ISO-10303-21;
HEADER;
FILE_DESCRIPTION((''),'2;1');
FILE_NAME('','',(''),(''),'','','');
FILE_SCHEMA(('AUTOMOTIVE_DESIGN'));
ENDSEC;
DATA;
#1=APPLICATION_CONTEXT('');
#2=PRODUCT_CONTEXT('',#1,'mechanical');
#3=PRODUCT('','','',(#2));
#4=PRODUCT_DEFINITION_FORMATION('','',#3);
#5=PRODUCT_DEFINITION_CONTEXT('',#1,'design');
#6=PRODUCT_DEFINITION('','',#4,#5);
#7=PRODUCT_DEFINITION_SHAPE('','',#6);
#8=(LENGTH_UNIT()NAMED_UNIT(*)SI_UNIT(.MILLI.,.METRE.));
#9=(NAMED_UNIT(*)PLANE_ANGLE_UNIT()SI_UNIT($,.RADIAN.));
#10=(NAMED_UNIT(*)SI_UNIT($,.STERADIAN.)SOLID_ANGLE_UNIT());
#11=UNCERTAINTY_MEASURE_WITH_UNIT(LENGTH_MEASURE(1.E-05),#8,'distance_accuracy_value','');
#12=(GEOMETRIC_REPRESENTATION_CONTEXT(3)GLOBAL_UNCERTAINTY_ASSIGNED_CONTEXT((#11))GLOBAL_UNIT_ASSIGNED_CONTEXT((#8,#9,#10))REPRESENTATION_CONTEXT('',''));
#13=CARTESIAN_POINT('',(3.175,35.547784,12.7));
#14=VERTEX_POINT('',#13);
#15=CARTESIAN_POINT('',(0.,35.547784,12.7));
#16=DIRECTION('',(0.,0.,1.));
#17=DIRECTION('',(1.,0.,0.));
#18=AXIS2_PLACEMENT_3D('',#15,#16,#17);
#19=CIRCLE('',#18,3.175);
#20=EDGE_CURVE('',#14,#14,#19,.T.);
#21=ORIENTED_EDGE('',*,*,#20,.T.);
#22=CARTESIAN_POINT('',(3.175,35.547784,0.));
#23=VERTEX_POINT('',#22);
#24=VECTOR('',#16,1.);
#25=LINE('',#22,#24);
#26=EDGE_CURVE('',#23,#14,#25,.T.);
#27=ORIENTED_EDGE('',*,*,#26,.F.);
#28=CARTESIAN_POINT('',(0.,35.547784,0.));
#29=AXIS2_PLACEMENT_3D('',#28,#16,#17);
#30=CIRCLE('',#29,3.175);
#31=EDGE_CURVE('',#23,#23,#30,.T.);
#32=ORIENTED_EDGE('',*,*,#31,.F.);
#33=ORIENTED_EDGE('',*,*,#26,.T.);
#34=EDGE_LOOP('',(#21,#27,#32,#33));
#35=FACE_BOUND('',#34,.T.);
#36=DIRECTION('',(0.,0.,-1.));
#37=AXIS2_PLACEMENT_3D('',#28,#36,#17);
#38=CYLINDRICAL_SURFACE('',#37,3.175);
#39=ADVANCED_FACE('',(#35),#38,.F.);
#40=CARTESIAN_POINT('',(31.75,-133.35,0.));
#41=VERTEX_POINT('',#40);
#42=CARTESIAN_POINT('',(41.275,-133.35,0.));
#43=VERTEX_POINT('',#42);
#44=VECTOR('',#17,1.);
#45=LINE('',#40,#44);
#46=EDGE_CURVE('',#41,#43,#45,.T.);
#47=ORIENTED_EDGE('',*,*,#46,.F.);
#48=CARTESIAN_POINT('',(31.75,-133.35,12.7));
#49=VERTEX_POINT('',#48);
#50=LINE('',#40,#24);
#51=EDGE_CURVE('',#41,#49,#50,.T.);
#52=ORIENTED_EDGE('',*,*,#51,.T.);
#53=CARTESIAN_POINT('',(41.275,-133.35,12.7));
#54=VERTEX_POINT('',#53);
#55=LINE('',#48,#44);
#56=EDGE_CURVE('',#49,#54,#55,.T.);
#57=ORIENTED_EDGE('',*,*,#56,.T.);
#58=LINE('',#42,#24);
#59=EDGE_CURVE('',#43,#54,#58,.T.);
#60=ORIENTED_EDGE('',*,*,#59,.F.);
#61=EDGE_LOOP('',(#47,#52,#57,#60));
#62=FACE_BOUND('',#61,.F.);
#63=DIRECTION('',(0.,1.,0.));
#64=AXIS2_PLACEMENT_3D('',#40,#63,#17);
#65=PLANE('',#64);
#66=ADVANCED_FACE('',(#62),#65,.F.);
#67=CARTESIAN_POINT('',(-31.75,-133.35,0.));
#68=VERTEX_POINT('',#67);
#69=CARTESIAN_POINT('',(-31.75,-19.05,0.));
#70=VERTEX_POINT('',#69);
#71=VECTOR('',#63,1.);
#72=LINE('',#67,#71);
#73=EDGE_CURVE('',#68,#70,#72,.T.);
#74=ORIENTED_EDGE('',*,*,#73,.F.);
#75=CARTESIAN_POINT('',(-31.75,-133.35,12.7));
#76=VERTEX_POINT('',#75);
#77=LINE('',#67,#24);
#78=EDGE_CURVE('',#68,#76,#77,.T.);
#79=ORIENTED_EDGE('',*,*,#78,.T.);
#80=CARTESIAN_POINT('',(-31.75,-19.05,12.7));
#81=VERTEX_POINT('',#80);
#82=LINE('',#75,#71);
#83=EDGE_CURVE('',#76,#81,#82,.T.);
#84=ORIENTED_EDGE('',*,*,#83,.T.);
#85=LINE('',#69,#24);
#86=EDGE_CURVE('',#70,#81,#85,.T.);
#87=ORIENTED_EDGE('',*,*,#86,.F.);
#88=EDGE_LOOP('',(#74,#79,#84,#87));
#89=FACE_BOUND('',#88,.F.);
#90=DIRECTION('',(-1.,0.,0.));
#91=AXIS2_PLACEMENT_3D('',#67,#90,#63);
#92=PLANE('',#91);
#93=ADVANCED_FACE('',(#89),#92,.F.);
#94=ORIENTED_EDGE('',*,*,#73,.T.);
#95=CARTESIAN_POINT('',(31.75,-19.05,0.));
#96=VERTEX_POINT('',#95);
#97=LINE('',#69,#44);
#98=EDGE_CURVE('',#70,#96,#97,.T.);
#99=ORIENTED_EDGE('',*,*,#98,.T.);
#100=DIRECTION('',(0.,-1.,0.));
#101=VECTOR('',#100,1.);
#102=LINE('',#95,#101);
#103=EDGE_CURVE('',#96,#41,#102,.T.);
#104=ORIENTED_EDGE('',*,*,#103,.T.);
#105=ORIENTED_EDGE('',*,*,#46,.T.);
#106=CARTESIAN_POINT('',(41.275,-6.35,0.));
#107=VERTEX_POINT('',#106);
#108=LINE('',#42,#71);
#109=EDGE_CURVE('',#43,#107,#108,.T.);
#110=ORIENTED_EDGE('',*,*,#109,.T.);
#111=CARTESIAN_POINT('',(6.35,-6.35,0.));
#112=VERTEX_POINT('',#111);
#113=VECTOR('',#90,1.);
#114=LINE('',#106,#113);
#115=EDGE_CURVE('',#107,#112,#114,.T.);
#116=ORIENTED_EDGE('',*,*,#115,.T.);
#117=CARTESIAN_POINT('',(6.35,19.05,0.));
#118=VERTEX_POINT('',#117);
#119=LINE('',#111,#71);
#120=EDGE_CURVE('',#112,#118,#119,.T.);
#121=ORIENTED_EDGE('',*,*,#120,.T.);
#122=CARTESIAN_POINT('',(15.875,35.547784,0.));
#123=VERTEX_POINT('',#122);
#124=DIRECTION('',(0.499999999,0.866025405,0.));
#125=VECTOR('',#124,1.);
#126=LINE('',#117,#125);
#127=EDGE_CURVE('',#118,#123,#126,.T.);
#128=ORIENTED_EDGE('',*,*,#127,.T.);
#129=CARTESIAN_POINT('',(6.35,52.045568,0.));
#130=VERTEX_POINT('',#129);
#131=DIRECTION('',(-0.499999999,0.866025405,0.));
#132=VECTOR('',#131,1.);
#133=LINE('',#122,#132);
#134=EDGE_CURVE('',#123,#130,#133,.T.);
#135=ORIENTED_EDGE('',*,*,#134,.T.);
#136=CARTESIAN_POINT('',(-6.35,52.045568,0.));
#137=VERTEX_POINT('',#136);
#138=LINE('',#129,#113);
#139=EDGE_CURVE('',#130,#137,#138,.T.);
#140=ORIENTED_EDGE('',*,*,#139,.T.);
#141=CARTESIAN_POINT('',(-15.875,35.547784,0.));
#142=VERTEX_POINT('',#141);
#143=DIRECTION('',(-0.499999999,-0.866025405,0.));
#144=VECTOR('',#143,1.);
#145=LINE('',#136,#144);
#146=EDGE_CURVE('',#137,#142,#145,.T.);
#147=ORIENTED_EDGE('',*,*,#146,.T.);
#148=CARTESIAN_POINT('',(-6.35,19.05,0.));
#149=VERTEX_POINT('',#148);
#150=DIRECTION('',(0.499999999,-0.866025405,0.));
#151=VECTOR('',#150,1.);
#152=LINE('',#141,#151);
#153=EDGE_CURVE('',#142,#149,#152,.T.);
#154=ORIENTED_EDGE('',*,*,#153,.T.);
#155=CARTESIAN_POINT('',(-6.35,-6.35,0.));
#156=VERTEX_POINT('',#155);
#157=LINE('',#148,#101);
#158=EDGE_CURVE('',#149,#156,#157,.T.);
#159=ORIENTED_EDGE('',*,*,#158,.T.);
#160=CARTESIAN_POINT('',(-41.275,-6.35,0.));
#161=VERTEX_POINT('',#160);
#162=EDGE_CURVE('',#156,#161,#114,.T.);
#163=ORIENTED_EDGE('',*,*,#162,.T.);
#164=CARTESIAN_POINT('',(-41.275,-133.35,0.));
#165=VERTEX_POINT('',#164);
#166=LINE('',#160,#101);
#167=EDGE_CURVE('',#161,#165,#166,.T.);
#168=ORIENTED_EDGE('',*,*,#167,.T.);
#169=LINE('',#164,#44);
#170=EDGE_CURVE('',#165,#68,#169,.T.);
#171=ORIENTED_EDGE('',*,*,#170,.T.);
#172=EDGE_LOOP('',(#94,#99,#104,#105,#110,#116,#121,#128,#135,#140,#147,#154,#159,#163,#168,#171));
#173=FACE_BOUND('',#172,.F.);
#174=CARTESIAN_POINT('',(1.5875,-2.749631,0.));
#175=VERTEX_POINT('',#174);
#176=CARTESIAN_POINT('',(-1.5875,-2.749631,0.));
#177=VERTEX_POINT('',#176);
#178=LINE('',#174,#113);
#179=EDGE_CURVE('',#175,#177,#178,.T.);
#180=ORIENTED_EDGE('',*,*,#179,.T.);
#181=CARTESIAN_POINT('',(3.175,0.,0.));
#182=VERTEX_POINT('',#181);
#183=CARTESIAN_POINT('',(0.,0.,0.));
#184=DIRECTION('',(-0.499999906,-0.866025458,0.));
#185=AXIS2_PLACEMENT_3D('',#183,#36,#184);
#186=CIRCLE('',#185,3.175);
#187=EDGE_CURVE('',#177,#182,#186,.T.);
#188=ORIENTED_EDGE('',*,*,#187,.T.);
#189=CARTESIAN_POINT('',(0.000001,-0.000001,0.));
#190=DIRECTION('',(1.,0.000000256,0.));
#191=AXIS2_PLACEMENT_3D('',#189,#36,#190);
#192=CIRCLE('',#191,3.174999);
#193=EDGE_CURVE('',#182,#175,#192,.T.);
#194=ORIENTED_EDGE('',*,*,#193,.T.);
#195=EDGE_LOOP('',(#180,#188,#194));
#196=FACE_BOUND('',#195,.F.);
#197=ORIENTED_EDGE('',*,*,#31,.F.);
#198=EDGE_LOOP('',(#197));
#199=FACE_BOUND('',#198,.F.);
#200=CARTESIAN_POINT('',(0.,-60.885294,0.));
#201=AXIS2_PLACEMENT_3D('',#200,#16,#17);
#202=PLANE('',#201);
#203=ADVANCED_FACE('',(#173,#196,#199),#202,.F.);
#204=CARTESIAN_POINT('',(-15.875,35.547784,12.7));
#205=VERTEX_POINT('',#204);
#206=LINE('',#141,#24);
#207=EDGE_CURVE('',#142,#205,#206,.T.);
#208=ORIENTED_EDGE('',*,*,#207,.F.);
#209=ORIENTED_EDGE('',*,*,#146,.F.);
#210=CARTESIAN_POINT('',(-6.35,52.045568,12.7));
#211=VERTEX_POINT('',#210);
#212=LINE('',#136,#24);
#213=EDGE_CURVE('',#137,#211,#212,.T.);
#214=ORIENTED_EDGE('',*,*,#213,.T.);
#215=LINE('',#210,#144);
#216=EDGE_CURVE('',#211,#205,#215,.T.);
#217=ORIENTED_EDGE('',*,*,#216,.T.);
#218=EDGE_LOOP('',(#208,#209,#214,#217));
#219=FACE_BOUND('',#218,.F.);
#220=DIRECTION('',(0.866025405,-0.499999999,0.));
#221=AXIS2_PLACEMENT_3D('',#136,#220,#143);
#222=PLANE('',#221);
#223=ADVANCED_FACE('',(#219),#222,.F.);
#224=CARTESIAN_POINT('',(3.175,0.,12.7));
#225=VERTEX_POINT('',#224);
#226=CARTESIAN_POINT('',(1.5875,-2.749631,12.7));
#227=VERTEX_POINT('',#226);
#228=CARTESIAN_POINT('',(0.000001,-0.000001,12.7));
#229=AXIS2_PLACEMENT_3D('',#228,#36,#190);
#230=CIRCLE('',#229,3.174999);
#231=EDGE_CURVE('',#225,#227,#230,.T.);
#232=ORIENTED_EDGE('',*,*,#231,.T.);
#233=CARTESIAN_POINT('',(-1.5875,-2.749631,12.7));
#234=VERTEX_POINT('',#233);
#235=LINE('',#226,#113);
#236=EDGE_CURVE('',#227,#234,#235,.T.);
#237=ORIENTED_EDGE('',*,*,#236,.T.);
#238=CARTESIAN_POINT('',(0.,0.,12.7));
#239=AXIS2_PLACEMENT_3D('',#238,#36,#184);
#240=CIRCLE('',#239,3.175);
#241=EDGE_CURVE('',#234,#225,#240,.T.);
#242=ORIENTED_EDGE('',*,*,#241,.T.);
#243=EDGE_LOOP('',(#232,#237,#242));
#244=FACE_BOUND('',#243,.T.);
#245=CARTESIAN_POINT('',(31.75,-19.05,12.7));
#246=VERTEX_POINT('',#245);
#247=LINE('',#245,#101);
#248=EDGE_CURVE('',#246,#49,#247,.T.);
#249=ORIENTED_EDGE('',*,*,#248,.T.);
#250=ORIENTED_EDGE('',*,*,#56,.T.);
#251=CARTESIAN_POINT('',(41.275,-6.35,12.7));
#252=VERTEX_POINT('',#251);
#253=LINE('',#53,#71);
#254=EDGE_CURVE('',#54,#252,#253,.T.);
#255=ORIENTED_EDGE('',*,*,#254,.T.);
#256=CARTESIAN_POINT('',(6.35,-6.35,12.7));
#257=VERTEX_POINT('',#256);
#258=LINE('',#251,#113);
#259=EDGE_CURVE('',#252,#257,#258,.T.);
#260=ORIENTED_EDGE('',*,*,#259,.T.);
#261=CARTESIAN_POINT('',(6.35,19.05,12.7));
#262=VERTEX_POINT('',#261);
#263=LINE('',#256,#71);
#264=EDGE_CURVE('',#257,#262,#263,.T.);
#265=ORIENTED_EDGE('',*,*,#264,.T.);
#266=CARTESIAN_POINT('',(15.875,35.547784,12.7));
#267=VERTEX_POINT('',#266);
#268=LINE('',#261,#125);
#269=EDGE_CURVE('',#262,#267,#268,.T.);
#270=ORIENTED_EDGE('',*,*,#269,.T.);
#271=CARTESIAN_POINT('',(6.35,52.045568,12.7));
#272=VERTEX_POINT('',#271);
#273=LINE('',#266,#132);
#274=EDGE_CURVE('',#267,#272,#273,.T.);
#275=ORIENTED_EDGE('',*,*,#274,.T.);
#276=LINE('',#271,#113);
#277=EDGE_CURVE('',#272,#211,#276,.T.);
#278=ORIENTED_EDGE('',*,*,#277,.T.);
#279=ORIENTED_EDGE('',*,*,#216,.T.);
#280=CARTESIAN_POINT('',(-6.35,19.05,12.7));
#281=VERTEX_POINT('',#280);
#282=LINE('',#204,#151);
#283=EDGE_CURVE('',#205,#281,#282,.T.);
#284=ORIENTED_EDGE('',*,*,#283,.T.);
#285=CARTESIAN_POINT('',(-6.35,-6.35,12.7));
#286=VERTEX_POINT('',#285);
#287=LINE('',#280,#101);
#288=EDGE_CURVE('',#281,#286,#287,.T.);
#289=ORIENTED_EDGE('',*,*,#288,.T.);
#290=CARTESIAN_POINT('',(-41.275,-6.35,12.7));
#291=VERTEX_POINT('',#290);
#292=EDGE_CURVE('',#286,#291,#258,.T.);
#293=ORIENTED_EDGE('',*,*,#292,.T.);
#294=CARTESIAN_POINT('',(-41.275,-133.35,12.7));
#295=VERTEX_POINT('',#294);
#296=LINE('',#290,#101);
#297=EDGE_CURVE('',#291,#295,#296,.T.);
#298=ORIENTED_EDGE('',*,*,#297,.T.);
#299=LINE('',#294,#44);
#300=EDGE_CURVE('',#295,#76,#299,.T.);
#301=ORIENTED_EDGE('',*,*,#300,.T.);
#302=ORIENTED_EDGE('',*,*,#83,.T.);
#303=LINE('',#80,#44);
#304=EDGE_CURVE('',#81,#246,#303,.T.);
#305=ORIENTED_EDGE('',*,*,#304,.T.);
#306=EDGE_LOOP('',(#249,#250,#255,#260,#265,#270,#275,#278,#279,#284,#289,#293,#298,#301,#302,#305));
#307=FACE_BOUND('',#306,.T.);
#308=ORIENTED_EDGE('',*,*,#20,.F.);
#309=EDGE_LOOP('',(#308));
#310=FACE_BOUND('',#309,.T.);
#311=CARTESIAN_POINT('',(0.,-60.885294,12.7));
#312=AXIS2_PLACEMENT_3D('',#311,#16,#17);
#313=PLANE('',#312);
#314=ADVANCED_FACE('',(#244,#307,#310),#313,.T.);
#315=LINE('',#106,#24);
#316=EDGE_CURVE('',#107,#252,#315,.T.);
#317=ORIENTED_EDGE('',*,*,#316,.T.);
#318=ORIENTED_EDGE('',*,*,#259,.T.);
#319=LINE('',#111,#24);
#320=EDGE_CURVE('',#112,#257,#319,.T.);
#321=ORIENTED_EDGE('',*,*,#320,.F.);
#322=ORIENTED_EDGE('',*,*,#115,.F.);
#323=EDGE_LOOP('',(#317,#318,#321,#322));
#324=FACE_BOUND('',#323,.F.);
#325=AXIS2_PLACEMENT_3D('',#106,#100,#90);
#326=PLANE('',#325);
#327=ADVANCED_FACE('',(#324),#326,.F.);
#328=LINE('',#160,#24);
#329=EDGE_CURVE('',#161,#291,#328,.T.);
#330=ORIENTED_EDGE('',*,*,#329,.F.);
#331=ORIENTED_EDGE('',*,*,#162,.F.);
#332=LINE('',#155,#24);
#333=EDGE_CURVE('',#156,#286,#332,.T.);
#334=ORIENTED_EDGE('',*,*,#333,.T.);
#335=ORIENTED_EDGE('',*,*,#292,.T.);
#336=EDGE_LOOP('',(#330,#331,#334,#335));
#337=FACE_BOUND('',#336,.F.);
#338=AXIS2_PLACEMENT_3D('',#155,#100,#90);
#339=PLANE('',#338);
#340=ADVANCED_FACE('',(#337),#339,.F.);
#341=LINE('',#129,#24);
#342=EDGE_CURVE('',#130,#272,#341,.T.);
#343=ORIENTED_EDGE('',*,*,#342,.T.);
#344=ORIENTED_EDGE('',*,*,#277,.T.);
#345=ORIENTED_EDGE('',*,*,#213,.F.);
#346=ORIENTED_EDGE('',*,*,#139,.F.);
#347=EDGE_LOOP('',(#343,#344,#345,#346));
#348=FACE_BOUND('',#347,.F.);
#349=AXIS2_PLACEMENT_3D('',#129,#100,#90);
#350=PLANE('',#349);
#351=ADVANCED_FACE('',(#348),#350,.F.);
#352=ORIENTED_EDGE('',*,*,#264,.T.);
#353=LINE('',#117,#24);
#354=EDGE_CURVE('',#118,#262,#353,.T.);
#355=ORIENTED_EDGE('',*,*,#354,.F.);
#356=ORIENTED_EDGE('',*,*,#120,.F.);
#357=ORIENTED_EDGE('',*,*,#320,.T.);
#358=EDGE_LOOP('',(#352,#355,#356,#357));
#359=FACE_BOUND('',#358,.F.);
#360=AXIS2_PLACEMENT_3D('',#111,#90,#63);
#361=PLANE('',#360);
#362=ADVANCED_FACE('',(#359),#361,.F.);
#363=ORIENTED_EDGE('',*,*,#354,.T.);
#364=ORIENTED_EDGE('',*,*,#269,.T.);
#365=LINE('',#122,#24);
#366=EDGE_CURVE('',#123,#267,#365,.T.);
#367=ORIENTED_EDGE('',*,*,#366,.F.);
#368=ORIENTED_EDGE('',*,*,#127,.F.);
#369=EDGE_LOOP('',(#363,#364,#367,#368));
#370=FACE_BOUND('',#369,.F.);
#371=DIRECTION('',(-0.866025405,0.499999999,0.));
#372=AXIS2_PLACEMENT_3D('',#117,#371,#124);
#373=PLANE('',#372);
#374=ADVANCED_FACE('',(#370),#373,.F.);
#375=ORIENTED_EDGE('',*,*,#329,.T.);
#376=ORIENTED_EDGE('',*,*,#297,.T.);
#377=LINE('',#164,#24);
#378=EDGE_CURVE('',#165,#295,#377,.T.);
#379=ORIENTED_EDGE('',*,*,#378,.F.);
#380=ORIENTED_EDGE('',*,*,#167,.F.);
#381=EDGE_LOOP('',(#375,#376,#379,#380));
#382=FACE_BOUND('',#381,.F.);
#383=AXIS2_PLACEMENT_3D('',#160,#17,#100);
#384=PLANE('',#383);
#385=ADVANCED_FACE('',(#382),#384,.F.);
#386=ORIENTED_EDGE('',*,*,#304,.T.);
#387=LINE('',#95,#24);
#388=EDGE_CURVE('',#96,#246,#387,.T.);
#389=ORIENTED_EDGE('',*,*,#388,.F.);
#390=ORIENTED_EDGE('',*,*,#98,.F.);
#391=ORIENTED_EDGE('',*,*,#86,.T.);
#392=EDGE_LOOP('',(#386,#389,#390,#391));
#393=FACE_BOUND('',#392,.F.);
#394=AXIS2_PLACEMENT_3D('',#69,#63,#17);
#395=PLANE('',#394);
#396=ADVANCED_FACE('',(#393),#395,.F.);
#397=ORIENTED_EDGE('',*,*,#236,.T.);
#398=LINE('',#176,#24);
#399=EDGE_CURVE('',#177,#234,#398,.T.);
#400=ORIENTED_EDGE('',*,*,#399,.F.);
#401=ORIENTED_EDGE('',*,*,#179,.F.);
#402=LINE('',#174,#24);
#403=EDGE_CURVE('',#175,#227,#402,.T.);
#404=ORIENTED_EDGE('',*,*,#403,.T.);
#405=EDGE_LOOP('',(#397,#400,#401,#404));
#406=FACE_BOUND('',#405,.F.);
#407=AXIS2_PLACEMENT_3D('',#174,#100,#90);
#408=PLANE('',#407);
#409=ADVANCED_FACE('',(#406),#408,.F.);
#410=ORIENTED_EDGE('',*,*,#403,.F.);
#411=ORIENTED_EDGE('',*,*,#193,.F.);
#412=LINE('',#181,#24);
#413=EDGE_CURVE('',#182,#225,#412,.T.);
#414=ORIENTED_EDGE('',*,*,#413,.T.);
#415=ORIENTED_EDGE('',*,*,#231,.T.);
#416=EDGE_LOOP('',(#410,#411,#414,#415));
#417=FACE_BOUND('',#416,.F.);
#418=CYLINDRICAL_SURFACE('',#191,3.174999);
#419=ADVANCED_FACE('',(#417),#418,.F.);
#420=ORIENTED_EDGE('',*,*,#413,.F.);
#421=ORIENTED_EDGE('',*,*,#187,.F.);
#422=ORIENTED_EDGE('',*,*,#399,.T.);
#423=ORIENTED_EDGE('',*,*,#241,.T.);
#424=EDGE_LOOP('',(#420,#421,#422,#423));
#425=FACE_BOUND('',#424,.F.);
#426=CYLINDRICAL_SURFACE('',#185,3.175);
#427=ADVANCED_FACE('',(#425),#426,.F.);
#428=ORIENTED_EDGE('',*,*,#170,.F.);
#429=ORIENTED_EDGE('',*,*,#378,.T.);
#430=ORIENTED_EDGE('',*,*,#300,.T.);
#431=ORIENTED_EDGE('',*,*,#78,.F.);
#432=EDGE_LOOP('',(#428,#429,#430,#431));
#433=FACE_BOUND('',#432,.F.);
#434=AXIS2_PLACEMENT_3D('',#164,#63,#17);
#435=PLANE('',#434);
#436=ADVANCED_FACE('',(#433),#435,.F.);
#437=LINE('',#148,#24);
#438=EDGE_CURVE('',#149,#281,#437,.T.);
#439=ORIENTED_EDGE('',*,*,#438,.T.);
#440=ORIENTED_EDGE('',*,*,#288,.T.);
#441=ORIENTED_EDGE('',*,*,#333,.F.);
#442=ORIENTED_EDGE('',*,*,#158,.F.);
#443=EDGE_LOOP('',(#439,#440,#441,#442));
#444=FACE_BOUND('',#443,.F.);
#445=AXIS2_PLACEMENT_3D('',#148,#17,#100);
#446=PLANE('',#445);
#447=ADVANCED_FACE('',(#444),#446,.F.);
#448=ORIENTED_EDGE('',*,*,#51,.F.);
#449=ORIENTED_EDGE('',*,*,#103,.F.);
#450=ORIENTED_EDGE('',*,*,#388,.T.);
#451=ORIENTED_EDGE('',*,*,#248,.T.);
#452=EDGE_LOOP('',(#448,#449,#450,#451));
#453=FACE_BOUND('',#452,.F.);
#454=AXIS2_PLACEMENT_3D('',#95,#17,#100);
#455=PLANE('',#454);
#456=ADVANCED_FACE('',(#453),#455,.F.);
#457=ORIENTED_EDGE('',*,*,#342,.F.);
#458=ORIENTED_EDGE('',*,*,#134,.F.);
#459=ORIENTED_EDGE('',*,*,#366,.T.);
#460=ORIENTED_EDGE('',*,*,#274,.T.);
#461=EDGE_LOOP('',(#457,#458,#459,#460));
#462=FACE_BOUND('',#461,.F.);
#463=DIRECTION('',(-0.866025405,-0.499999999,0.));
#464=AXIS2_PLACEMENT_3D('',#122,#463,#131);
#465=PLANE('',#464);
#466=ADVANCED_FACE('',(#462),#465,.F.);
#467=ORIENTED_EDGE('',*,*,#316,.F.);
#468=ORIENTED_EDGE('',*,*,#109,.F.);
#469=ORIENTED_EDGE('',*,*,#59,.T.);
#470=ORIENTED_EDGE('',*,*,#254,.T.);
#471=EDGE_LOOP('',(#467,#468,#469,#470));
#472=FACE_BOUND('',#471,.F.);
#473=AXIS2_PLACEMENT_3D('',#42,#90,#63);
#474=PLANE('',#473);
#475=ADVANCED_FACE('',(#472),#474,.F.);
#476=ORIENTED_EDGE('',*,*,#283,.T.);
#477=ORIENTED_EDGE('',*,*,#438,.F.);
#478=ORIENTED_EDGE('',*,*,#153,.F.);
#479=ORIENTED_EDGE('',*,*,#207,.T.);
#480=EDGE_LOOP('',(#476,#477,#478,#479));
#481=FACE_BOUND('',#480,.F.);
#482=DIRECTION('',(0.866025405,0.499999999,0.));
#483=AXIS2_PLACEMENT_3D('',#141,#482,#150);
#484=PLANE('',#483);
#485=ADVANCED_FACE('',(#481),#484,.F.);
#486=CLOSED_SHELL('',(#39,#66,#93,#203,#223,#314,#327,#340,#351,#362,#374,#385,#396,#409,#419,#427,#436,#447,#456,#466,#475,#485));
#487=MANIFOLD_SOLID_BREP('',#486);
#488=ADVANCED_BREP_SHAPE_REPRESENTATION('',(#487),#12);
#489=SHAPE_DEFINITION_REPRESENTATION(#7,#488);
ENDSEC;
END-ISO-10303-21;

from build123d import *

# Parameters (mm, degrees)
F0_W     = 12.7
F0_H     = 12.7
F0_R     = 3.175
F1_DEPTH = 12.7


with BuildPart() as f1:
    # F0 (on Top) → F1 (new body)
    with BuildSketch(Plane.XY):
        Polygon((41.275, -6.35), (6.35, -6.35), (-6.35, -6.35), (-41.275, -6.35), (-41.275, -133.35), (-31.75, -133.35), (-31.75, -19.05), (0, -19.05), (31.75, -19.05), (31.75, -133.35), (41.275, -133.35), align=None)
        Rectangle(F0_W, F0_H)
        with BuildLine():
            ThreePointArc((-1.5875, -2.749631), (-1.5875, 2.749631), (3.175, 0))
            ThreePointArc((3.175, 0), (2.749631, -1.5875), (1.5875, -2.749631))
            ThreePointArc((1.5875, -2.749631), (0, -3.175), (-1.5875, -2.749631))
        make_face(mode=Mode.SUBTRACT)
        Polygon((-6.35, 6.35), (6.35, 6.35), (6.35, 19.05), (15.875, 35.547784), (6.35, 52.045568), (0, 52.045568), (-6.35, 52.045568), (-15.875, 35.547784), (-6.35, 19.05), align=None)
        with Locations((0, 35.547784)):
            Circle(F0_R, mode=Mode.SUBTRACT)
        with BuildLine():
            Line((1.5875, -2.749631), (-1.5875, -2.749631))
            ThreePointArc((-1.5875, -2.749631), (0, -3.175), (1.5875, -2.749631))
        make_face()
    extrude(amount=F1_DEPTH)


solid = f1.part
